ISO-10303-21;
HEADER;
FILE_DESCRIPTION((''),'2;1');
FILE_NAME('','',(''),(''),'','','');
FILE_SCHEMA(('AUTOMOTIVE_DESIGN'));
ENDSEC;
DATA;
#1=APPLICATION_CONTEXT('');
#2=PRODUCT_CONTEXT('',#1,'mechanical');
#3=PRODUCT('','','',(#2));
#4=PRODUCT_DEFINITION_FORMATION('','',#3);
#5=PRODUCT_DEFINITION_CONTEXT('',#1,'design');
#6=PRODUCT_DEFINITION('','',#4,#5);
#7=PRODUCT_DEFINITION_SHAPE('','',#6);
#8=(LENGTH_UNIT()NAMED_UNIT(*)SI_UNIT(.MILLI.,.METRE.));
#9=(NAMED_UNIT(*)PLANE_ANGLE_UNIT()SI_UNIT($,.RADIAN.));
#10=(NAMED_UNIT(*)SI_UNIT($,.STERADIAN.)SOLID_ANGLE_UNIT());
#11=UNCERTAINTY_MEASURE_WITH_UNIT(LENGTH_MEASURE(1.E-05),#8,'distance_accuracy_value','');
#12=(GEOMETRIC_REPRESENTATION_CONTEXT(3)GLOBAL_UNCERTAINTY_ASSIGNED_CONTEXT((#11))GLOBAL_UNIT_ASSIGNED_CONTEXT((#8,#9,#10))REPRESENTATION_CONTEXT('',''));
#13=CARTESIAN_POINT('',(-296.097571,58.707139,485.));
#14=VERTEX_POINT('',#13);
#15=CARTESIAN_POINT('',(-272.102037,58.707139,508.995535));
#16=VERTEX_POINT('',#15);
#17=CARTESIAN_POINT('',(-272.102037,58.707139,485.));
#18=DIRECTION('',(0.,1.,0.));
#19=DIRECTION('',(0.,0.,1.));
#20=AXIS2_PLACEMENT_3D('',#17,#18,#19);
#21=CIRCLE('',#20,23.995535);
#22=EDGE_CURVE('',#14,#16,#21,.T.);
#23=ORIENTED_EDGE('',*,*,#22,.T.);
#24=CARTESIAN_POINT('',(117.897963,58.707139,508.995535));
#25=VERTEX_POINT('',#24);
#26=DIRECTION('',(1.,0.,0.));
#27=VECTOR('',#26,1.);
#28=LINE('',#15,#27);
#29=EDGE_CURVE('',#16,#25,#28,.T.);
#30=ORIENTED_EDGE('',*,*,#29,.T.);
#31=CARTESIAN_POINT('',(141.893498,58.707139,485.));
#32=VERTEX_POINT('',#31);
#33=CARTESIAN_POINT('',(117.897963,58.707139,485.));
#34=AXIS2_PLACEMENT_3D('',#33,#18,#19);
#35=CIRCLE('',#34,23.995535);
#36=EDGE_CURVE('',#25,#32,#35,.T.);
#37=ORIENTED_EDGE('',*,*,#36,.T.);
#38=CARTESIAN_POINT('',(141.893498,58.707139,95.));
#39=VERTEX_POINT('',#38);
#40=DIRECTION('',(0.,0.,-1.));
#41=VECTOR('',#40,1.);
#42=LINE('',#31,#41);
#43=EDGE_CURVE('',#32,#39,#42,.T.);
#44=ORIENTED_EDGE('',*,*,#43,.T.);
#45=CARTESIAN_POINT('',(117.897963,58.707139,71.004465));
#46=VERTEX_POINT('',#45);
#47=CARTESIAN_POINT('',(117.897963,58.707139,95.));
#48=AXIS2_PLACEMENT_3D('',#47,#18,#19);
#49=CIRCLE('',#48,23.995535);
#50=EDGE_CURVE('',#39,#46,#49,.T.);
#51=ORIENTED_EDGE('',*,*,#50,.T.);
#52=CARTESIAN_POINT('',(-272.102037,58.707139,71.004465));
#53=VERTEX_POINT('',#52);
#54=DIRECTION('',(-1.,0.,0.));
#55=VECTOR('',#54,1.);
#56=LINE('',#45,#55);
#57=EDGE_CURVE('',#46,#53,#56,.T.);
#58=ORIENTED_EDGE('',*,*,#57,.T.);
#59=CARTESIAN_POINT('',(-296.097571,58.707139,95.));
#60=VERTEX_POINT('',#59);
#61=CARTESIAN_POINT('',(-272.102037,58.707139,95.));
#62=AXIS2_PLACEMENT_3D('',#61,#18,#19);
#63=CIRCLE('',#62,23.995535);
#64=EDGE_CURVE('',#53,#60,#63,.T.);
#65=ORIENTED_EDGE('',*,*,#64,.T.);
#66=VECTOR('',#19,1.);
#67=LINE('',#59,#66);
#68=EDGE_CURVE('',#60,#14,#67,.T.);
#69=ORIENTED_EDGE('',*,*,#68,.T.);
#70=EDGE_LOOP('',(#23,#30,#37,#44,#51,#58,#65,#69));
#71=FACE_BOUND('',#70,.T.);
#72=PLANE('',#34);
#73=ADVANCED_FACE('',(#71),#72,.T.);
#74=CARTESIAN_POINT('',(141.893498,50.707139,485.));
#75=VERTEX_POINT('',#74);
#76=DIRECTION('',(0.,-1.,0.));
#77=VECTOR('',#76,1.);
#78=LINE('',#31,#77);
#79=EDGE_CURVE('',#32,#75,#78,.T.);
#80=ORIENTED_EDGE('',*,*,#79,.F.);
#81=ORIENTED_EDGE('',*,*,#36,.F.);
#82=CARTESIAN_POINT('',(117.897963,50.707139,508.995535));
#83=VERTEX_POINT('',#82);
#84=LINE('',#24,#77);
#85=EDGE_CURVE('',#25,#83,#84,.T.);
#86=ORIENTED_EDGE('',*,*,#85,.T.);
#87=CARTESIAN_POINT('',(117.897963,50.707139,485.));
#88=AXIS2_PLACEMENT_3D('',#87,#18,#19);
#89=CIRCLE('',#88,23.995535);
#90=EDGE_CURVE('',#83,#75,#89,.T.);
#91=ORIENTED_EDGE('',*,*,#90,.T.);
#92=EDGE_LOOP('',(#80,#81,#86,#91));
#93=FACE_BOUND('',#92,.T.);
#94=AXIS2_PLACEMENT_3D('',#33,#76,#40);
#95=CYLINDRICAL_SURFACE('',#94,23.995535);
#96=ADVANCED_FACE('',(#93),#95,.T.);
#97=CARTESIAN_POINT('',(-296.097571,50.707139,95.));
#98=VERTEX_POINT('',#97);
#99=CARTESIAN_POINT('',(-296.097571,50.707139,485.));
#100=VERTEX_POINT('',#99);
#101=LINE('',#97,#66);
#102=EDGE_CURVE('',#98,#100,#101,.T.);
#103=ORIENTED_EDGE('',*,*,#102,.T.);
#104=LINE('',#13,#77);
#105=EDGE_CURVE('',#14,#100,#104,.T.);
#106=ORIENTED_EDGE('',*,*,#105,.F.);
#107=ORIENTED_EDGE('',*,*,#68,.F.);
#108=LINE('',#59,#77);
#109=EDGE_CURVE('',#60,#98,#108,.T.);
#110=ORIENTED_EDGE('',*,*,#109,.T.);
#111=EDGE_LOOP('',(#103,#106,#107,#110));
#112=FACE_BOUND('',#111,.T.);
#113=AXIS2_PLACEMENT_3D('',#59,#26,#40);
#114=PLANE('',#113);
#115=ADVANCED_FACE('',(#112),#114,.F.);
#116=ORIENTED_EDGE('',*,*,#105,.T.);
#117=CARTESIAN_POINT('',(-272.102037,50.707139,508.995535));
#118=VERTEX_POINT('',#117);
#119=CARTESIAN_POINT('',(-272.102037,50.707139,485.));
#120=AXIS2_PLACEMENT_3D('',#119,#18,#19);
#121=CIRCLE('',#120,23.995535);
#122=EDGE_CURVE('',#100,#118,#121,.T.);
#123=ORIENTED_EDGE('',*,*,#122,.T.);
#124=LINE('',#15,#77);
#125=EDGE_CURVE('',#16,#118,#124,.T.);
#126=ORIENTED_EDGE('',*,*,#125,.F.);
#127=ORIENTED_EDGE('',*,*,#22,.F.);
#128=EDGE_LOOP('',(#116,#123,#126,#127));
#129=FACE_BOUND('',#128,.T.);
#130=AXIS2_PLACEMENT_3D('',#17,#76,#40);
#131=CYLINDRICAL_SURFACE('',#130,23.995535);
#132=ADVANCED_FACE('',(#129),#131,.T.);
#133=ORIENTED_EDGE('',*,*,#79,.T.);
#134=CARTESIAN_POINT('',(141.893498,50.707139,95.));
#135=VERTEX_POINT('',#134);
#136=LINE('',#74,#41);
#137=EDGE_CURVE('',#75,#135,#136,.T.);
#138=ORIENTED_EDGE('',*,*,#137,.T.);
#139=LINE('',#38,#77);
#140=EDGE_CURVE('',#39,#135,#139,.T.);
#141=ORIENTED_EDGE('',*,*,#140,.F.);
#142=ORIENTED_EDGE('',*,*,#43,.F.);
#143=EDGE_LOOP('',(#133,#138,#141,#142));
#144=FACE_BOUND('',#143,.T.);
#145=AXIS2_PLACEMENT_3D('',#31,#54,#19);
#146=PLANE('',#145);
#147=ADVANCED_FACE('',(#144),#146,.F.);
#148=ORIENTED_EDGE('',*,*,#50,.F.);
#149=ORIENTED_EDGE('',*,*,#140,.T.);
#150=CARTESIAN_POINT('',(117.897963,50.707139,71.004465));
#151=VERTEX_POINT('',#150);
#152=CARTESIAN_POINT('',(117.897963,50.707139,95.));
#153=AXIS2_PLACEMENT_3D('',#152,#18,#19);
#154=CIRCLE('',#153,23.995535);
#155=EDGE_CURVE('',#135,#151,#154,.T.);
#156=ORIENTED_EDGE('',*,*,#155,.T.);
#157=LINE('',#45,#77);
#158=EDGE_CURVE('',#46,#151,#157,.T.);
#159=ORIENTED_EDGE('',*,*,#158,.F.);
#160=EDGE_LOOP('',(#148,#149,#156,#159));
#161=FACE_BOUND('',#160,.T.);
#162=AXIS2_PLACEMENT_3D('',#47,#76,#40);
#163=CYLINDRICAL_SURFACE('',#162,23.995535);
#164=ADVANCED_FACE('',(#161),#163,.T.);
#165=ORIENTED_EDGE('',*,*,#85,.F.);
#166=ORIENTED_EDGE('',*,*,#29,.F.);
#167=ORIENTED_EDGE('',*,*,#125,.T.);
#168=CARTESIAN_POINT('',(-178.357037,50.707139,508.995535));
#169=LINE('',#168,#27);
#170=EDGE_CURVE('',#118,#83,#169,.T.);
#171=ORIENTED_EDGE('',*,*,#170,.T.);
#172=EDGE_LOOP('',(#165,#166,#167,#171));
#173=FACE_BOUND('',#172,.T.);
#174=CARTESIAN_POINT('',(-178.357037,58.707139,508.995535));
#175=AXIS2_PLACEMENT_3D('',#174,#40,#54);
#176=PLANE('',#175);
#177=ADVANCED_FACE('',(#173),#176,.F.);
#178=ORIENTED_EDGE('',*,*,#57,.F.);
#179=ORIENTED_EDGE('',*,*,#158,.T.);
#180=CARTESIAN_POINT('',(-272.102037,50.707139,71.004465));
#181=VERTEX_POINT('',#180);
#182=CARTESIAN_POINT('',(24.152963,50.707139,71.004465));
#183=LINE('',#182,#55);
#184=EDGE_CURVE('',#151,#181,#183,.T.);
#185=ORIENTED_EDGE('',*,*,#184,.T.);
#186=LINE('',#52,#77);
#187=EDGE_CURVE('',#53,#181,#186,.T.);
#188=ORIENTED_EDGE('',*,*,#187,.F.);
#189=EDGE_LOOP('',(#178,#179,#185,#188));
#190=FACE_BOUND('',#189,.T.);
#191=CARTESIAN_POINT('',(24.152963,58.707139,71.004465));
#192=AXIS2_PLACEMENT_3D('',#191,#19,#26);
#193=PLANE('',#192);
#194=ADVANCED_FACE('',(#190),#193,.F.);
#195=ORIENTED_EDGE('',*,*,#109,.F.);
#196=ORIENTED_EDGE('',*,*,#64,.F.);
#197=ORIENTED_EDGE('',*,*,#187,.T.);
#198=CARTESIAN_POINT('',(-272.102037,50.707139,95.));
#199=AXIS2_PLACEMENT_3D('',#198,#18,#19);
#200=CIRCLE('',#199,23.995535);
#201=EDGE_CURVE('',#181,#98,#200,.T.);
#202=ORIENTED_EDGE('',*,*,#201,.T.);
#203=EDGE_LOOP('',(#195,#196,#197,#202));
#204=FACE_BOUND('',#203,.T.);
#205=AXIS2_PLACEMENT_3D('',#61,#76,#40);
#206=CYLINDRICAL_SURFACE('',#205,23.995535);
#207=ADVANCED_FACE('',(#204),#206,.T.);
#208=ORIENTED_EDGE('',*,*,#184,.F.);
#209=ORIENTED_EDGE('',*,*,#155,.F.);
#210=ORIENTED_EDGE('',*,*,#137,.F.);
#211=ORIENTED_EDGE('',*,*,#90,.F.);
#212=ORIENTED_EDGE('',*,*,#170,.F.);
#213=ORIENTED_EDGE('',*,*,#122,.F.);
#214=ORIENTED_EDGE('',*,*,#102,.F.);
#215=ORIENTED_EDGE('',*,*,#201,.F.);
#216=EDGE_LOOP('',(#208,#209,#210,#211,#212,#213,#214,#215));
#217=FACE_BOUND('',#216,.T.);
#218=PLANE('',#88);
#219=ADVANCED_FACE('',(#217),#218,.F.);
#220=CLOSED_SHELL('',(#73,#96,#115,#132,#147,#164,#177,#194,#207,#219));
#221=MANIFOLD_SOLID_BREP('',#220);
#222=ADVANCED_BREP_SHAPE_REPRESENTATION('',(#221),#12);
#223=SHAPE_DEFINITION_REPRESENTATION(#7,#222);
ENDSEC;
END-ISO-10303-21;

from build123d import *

# Parameters (mm, degrees)
SALIENTE_EXTRUIR1_DEPTH = 4


with BuildPart() as part:
    # Croquis1 → Saliente-Extruir1 (new, symmetric)
    with BuildSketch(Plane(origin=(0, 54.707138557, 0), x_dir=(1, 0, 0), z_dir=(0, 1, 0))):
        with BuildLine():
            Line((-178.357036721, -508.99553457), (117.897963279, -508.99553457))
            ThreePointArc((117.897963279, -508.99553457), (134.865368491, -501.967405212), (141.893497848, -485))
            Line((141.893497848, -485), (141.893497848, -95))
            ThreePointArc((141.893497848, -95), (134.865368491, -78.032594788), (117.897963279, -71.00446543))
            Line((117.897963279, -71.00446543), (24.152963279, -71.00446543))
            Line((24.152963279, -71.00446543), (-272.102036721, -71.00446543))
            ThreePointArc((-272.102036721, -71.00446543), (-289.069441934, -78.032594788), (-296.097571291, -95))
            Line((-296.097571291, -95), (-296.097571291, -485))
            ThreePointArc((-296.097571291, -485), (-289.069441934, -501.967405212), (-272.102036721, -508.99553457))
            Line((-272.102036721, -508.99553457), (-178.357036721, -508.99553457))
        make_face()
    extrude(amount=SALIENTE_EXTRUIR1_DEPTH, both=True)


solid = part.part
